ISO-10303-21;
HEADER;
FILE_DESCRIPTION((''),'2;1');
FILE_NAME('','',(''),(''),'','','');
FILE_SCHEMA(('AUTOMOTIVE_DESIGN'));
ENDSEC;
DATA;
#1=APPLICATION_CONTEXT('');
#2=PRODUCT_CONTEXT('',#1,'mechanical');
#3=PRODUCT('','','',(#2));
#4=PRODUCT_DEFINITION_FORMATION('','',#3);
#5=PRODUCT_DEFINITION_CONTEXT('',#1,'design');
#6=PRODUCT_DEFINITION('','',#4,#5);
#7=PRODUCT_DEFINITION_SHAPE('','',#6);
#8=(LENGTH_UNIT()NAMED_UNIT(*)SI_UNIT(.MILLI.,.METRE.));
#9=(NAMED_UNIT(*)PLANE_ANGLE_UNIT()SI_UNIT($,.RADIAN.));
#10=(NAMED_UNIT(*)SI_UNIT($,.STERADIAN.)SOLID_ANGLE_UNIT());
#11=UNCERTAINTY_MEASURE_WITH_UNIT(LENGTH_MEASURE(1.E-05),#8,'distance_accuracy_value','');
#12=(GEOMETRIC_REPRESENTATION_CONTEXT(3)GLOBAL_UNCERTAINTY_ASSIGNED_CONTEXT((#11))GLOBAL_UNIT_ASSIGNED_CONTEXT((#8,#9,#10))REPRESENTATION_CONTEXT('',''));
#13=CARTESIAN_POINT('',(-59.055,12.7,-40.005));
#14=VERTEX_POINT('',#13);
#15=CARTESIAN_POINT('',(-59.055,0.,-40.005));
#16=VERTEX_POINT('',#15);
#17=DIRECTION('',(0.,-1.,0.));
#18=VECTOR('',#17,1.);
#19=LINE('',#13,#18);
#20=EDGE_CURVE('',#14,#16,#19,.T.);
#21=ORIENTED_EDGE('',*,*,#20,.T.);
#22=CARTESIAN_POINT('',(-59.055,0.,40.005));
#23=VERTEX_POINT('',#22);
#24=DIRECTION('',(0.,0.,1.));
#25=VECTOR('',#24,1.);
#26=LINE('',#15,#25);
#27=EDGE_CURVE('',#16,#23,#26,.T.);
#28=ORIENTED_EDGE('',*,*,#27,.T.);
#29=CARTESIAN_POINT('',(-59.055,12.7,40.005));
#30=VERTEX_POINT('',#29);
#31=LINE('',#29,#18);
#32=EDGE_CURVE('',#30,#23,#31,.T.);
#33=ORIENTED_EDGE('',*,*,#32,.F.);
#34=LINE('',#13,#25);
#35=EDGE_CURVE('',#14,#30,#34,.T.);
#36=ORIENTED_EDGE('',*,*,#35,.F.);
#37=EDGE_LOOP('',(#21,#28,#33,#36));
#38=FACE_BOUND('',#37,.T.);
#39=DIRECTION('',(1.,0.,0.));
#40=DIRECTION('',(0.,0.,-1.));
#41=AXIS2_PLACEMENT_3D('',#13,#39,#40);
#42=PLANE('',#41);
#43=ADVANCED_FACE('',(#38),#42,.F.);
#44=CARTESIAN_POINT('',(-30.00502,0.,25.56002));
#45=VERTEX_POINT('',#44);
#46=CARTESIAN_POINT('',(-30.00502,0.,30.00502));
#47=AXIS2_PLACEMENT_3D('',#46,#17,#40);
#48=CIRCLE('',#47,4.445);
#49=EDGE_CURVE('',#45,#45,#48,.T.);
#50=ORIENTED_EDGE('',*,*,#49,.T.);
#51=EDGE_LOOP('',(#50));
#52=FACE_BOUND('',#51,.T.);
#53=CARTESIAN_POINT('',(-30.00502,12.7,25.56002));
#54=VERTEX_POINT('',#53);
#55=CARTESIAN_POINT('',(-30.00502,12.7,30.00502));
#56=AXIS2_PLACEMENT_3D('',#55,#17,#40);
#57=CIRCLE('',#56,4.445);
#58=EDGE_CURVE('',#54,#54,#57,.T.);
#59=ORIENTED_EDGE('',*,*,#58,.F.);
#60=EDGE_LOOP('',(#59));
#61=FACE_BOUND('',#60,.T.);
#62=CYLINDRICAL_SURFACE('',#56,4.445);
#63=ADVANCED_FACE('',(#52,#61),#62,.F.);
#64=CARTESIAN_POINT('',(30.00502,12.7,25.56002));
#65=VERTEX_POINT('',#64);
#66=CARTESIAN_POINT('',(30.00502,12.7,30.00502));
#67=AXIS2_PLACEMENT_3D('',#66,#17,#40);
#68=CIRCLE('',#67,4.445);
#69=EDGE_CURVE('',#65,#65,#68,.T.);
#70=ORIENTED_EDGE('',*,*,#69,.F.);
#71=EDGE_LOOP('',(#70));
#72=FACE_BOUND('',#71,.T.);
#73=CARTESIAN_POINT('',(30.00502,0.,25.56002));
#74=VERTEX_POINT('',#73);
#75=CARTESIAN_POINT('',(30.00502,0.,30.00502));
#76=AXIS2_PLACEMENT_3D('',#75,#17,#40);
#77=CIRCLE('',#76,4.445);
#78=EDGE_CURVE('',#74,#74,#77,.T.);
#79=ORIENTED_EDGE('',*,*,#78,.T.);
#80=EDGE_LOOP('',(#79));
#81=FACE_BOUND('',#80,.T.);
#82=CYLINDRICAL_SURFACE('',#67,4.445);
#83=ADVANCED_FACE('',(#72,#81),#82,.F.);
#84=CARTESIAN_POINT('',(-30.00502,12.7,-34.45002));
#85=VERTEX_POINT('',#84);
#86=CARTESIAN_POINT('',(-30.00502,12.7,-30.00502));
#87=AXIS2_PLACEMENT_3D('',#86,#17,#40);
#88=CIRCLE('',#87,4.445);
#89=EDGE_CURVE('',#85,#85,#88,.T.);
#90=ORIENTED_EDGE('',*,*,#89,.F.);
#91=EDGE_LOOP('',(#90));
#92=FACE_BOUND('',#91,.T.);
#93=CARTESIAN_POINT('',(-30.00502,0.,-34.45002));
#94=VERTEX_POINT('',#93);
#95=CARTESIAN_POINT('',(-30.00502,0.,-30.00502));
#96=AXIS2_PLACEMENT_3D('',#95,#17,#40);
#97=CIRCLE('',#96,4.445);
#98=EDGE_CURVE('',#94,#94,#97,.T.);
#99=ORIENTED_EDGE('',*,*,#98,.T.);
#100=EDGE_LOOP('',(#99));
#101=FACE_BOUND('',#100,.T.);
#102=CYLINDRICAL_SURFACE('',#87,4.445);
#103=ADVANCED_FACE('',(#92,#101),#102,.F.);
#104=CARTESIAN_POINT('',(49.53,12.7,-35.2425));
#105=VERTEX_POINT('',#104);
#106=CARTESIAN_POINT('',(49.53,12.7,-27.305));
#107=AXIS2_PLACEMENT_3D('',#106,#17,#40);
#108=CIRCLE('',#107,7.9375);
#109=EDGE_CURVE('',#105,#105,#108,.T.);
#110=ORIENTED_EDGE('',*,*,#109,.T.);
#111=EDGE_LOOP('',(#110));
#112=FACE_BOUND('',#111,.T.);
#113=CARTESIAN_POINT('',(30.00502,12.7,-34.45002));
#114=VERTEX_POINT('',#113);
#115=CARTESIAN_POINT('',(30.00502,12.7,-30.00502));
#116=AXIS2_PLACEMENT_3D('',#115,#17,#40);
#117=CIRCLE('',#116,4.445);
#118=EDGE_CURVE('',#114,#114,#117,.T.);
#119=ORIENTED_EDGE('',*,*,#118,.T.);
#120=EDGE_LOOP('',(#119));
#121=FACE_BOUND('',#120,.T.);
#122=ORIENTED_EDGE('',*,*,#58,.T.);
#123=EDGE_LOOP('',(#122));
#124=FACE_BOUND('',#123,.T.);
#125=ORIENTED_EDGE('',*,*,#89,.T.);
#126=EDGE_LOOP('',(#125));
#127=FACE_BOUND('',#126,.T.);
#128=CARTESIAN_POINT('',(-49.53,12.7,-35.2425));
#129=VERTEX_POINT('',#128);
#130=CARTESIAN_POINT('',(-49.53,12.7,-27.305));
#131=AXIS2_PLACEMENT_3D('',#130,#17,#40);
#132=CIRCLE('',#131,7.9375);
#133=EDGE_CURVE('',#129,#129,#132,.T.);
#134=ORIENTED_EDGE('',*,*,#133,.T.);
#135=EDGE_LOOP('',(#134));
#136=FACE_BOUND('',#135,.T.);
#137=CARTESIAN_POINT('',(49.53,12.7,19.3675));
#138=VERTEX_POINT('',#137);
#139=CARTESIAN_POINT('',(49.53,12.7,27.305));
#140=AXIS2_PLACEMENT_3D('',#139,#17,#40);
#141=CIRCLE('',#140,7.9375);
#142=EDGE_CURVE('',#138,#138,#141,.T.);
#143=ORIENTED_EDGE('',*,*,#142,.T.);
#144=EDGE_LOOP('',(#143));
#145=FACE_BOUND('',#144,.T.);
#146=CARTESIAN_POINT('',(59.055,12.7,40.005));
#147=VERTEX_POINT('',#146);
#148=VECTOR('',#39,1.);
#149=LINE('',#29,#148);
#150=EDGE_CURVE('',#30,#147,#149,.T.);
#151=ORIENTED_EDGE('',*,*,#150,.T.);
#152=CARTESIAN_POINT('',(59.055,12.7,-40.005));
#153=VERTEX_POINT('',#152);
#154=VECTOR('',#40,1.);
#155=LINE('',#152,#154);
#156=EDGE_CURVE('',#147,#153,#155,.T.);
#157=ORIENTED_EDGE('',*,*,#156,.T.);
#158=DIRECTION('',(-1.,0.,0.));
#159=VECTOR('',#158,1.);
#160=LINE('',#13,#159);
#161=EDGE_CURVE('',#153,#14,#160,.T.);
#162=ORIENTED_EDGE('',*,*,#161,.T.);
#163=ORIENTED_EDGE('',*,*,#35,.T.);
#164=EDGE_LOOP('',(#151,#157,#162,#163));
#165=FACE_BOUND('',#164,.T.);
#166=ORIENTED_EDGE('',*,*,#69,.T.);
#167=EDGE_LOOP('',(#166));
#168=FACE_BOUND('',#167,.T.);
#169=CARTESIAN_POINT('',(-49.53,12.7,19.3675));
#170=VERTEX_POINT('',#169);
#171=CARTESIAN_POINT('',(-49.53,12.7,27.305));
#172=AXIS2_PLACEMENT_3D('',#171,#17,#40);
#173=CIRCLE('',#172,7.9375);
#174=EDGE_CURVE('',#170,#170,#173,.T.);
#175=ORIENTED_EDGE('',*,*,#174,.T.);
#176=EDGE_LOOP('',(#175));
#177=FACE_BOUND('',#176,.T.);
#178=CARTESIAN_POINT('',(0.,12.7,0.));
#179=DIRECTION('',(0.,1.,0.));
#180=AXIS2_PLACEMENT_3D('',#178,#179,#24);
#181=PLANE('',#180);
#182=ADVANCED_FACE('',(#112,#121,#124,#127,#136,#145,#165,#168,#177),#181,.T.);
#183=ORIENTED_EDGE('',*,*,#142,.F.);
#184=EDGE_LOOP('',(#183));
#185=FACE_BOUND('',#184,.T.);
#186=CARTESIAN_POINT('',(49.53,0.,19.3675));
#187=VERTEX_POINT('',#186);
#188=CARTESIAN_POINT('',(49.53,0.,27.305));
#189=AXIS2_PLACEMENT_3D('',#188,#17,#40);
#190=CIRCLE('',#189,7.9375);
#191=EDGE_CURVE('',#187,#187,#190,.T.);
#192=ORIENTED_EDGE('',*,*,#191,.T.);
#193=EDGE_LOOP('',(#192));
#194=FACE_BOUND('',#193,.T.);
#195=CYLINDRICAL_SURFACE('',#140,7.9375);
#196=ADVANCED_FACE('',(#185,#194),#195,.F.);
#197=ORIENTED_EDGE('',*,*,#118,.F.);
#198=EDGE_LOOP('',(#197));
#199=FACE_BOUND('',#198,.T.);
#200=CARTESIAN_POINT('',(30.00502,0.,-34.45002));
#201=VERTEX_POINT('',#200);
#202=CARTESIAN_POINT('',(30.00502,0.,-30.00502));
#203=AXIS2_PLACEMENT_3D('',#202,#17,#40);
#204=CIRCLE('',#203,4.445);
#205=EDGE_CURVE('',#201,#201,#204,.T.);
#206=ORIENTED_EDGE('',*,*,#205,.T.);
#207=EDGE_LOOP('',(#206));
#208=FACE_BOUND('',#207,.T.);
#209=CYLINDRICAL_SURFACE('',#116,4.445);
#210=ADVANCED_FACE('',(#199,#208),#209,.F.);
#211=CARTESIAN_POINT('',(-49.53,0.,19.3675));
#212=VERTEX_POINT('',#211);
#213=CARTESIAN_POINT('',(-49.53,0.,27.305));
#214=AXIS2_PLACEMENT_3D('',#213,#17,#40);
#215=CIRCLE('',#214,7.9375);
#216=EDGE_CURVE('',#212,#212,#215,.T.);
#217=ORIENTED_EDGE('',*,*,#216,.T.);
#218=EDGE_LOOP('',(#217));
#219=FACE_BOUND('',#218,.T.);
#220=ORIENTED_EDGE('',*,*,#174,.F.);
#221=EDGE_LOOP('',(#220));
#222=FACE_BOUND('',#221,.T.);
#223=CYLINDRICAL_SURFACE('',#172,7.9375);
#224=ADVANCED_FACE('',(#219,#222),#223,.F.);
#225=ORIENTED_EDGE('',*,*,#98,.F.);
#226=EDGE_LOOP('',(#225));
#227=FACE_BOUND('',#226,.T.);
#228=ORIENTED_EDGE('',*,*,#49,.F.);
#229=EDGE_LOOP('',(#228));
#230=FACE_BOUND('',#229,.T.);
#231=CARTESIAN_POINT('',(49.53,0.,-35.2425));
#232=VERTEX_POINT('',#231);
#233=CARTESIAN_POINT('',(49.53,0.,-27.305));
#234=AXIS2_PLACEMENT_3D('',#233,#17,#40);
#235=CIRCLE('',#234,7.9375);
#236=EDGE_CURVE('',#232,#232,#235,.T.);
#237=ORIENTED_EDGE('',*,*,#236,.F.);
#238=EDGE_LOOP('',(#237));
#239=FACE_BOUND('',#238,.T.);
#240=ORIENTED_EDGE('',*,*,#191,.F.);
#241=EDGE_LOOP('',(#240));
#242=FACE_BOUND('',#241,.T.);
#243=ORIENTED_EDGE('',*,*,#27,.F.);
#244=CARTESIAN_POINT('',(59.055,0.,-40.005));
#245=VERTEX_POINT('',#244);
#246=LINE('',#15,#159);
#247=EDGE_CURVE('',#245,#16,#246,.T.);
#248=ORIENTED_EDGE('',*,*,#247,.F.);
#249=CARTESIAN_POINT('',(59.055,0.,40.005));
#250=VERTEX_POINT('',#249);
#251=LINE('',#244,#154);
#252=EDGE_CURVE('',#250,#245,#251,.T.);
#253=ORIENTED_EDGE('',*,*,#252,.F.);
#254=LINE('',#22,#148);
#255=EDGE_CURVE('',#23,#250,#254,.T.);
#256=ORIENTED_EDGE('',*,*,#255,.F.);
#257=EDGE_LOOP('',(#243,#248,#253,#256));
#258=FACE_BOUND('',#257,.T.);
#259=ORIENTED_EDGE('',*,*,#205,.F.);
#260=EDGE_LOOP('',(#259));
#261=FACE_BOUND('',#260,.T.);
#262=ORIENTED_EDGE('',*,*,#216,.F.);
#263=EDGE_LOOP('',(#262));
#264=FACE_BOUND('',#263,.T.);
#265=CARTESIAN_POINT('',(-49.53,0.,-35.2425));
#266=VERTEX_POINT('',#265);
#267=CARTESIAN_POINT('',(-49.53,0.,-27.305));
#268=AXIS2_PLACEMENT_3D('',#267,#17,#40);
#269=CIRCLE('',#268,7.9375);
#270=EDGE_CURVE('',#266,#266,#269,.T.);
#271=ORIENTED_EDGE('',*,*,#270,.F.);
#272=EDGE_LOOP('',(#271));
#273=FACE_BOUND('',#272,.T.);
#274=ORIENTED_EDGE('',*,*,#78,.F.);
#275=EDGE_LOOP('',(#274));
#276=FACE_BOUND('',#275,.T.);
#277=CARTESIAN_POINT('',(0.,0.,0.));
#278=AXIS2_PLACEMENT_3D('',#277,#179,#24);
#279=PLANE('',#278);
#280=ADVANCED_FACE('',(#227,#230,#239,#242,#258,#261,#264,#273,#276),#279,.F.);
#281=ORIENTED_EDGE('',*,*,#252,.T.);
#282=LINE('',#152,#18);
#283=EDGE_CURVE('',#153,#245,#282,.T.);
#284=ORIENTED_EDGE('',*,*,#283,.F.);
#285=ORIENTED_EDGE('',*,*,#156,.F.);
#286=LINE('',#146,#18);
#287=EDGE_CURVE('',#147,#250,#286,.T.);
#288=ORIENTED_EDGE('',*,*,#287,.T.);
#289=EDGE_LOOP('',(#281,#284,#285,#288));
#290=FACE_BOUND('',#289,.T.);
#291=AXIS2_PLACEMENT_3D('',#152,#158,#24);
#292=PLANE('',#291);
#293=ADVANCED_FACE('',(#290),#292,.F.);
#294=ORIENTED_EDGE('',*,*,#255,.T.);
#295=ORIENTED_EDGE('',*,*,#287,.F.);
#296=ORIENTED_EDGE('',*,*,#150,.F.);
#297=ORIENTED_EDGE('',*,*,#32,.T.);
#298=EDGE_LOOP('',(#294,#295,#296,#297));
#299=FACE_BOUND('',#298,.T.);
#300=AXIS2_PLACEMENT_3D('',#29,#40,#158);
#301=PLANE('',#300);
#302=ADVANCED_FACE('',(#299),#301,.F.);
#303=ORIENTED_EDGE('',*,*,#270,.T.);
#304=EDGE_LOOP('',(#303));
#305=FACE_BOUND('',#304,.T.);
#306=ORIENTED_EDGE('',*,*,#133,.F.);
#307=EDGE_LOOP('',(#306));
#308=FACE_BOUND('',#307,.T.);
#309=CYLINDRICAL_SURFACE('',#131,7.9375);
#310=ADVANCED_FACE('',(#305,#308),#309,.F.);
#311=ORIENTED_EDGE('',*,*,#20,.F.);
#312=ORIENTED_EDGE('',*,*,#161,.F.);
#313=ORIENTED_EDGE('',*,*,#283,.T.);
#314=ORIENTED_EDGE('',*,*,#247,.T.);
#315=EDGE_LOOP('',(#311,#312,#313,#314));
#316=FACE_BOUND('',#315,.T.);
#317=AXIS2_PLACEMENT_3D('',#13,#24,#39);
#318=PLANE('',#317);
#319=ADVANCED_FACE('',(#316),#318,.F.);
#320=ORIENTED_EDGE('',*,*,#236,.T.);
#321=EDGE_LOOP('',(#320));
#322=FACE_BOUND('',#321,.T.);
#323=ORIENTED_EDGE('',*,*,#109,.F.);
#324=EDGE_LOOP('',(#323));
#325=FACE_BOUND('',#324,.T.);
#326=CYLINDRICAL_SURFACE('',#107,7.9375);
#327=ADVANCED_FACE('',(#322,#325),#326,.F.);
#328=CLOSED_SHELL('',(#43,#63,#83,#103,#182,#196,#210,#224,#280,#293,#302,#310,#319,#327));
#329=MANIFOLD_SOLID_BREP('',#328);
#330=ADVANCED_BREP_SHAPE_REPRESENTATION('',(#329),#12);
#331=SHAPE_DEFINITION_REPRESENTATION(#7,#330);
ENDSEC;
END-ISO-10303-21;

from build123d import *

# Parameters (mm, degrees)
SKETCH1_W           = 118.11
SKETCH1_H           = 80.01
BOSS_EXTRUDE1_DEPTH = 12.7
SKETCH2_R           = 4.445
CUT_EXTRUDE1_DEPTH  = 13.7
SKETCH3_R           = 7.9375
CUT_EXTRUDE2_DEPTH  = 13.7


with BuildPart() as part:
    # Sketch1 → Boss-Extrude1 (new body)
    with BuildSketch(Plane(origin=(0, 0, 0), x_dir=(1, 0, 0), z_dir=(0, 1, 0))):
        Rectangle(SKETCH1_W, SKETCH1_H)
    extrude(amount=BOSS_EXTRUDE1_DEPTH)

    # Sketch2 → Cut-Extrude1 (cut, through all)
    with BuildSketch(Plane.XZ):
        with Locations((-30.00502, 30.00502)):
            Circle(SKETCH2_R)
        with Locations((30.00502, 30.00502)):
            Circle(SKETCH2_R)
        with Locations((-30.00502, -30.00502)):
            Circle(SKETCH2_R)
        with Locations((30.00502, -30.00502)):
            Circle(SKETCH2_R)
    extrude(amount=-CUT_EXTRUDE1_DEPTH, mode=Mode.SUBTRACT)

    # Sketch3 → Cut-Extrude2 (cut, through all)
    with BuildSketch(Plane.XZ):
        with Locations((-49.53, 27.305)):
            Circle(SKETCH3_R)
        with Locations((-49.53, -27.305)):
            Circle(SKETCH3_R)
        with Locations((49.53, -27.305)):
            Circle(SKETCH3_R)
        with Locations((49.53, 27.305)):
            Circle(SKETCH3_R)
    extrude(amount=-CUT_EXTRUDE2_DEPTH, mode=Mode.SUBTRACT)


solid = part.part
